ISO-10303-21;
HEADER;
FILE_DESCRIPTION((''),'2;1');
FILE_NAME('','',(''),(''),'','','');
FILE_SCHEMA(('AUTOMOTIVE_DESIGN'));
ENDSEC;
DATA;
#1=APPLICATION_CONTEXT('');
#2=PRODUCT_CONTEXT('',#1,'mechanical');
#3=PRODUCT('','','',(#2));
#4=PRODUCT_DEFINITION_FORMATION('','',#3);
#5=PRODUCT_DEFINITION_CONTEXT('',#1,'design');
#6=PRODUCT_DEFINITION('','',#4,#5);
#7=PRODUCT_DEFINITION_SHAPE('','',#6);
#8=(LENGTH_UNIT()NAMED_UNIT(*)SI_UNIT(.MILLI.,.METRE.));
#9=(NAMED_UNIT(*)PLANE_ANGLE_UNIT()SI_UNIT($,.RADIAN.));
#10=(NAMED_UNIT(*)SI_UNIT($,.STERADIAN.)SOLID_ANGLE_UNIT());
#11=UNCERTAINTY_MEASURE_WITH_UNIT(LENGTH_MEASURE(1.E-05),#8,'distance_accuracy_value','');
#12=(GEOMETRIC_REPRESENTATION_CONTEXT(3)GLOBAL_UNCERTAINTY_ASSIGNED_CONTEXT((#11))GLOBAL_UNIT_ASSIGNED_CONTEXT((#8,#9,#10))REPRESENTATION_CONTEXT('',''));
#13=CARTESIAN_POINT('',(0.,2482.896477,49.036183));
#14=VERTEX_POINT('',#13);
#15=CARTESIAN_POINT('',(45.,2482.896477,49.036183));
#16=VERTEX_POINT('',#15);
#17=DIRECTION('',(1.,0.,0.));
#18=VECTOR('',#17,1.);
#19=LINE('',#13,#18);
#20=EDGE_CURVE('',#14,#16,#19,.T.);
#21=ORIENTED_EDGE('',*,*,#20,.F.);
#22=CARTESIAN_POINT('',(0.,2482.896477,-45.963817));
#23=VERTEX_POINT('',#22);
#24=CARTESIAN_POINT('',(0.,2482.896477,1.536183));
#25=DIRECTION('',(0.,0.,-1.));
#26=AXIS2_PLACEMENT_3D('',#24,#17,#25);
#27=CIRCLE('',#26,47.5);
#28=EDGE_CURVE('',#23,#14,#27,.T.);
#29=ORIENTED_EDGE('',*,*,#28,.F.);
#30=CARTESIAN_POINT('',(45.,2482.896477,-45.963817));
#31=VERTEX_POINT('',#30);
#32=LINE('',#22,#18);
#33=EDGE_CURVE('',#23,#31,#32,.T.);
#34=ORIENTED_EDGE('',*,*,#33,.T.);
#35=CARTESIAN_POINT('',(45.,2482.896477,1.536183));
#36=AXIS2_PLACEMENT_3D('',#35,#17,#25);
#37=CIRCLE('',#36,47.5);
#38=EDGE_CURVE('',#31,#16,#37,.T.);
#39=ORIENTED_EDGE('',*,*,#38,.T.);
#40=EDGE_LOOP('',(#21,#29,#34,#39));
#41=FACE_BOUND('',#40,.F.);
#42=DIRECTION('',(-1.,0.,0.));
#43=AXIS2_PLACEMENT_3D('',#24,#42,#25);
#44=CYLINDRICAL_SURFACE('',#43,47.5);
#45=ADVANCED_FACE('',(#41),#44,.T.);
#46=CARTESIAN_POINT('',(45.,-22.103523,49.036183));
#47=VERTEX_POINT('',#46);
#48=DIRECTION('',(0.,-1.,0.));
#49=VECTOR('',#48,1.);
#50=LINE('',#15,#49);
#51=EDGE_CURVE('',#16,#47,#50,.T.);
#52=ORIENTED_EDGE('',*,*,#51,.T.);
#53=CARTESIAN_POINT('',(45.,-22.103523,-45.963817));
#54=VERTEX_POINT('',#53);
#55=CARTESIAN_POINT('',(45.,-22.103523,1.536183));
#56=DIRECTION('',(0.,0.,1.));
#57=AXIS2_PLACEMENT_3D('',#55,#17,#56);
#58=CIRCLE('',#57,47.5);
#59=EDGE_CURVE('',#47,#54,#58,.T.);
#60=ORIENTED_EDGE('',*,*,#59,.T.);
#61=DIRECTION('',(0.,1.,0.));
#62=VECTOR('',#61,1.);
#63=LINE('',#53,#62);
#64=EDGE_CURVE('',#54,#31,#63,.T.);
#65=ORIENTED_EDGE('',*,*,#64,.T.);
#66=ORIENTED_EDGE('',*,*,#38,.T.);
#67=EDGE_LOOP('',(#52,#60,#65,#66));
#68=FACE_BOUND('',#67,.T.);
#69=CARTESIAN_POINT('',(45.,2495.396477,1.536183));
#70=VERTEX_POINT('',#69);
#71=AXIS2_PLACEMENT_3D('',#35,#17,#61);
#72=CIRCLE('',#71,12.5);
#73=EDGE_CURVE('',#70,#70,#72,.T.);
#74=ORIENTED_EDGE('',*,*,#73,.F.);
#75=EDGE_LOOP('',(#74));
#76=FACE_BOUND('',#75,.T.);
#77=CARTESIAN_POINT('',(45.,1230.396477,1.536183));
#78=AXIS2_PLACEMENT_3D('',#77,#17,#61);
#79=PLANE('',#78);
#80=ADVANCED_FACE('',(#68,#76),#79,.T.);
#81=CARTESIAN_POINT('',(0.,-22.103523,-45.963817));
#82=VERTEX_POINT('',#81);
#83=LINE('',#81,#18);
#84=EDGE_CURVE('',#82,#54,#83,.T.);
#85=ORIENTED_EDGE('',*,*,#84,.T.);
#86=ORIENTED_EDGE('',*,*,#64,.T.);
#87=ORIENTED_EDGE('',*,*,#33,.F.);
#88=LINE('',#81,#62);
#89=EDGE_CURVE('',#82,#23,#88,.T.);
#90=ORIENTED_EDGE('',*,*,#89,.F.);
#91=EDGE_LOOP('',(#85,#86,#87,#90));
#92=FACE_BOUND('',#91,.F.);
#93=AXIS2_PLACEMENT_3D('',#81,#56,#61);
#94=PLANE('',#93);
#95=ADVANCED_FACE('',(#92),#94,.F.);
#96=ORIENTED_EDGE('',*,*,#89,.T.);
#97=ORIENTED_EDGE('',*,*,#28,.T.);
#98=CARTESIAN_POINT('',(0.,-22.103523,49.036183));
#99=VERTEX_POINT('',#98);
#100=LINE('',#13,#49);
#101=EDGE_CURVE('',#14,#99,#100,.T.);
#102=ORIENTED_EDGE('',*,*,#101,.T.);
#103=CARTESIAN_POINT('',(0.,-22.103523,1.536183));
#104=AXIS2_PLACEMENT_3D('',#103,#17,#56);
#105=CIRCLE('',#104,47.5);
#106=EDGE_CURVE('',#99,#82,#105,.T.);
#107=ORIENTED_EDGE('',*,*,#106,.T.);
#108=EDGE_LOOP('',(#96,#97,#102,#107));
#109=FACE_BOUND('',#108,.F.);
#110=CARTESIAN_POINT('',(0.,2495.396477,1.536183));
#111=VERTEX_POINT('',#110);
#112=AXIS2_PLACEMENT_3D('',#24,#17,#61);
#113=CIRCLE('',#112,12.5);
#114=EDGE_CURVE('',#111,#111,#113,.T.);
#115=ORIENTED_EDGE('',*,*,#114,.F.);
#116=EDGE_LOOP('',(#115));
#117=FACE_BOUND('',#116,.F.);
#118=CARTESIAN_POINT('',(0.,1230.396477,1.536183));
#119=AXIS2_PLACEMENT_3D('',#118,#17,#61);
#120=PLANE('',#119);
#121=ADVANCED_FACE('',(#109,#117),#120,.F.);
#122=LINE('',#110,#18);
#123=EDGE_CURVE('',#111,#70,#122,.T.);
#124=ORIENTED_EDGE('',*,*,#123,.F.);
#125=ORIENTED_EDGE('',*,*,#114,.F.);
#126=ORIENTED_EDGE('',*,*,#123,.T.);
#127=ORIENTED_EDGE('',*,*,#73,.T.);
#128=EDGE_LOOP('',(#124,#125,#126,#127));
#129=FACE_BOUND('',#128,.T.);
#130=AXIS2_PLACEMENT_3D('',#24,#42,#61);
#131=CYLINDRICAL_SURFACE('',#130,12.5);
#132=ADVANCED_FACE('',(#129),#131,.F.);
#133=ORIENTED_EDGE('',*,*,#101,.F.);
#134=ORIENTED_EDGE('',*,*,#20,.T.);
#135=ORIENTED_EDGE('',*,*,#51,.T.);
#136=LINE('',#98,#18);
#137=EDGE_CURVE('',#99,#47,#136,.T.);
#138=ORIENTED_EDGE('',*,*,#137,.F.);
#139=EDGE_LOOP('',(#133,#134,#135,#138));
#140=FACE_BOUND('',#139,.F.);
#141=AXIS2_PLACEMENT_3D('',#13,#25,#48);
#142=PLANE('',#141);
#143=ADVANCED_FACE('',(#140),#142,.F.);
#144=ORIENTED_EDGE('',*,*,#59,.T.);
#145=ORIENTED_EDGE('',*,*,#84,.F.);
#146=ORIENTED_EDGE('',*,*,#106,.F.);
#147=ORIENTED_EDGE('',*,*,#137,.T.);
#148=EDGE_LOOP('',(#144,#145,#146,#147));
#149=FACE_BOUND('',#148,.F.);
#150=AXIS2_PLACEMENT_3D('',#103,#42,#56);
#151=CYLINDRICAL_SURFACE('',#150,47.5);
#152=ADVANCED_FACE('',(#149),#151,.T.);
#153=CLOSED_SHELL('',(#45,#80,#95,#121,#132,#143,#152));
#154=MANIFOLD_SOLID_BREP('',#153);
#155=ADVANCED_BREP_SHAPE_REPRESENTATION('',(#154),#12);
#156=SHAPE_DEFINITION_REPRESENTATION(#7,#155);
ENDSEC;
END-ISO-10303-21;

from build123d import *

# Parameters (mm, degrees)
F0_R     = 12.5
F1_DEPTH = 45


with BuildPart() as f1:
    # F0 (on Right) → F1 (new body)
    with BuildSketch(Plane.YZ):
        with BuildLine():
            Line((2482.896477, 49.036183), (-22.103523, 49.036183))
            ThreePointArc((-22.103523, 49.036183), (-69.603523, 1.536183), (-22.103523, -45.963817))
            Line((-22.103523, -45.963817), (2482.896477, -45.963817))
            ThreePointArc((2482.896477, -45.963817), (2530.396477, 1.536183), (2482.896477, 49.036183))
        make_face()
        with Locations((2482.896477, 1.536183)):
            Circle(F0_R, mode=Mode.SUBTRACT)
    extrude(amount=F1_DEPTH)


solid = f1.part
